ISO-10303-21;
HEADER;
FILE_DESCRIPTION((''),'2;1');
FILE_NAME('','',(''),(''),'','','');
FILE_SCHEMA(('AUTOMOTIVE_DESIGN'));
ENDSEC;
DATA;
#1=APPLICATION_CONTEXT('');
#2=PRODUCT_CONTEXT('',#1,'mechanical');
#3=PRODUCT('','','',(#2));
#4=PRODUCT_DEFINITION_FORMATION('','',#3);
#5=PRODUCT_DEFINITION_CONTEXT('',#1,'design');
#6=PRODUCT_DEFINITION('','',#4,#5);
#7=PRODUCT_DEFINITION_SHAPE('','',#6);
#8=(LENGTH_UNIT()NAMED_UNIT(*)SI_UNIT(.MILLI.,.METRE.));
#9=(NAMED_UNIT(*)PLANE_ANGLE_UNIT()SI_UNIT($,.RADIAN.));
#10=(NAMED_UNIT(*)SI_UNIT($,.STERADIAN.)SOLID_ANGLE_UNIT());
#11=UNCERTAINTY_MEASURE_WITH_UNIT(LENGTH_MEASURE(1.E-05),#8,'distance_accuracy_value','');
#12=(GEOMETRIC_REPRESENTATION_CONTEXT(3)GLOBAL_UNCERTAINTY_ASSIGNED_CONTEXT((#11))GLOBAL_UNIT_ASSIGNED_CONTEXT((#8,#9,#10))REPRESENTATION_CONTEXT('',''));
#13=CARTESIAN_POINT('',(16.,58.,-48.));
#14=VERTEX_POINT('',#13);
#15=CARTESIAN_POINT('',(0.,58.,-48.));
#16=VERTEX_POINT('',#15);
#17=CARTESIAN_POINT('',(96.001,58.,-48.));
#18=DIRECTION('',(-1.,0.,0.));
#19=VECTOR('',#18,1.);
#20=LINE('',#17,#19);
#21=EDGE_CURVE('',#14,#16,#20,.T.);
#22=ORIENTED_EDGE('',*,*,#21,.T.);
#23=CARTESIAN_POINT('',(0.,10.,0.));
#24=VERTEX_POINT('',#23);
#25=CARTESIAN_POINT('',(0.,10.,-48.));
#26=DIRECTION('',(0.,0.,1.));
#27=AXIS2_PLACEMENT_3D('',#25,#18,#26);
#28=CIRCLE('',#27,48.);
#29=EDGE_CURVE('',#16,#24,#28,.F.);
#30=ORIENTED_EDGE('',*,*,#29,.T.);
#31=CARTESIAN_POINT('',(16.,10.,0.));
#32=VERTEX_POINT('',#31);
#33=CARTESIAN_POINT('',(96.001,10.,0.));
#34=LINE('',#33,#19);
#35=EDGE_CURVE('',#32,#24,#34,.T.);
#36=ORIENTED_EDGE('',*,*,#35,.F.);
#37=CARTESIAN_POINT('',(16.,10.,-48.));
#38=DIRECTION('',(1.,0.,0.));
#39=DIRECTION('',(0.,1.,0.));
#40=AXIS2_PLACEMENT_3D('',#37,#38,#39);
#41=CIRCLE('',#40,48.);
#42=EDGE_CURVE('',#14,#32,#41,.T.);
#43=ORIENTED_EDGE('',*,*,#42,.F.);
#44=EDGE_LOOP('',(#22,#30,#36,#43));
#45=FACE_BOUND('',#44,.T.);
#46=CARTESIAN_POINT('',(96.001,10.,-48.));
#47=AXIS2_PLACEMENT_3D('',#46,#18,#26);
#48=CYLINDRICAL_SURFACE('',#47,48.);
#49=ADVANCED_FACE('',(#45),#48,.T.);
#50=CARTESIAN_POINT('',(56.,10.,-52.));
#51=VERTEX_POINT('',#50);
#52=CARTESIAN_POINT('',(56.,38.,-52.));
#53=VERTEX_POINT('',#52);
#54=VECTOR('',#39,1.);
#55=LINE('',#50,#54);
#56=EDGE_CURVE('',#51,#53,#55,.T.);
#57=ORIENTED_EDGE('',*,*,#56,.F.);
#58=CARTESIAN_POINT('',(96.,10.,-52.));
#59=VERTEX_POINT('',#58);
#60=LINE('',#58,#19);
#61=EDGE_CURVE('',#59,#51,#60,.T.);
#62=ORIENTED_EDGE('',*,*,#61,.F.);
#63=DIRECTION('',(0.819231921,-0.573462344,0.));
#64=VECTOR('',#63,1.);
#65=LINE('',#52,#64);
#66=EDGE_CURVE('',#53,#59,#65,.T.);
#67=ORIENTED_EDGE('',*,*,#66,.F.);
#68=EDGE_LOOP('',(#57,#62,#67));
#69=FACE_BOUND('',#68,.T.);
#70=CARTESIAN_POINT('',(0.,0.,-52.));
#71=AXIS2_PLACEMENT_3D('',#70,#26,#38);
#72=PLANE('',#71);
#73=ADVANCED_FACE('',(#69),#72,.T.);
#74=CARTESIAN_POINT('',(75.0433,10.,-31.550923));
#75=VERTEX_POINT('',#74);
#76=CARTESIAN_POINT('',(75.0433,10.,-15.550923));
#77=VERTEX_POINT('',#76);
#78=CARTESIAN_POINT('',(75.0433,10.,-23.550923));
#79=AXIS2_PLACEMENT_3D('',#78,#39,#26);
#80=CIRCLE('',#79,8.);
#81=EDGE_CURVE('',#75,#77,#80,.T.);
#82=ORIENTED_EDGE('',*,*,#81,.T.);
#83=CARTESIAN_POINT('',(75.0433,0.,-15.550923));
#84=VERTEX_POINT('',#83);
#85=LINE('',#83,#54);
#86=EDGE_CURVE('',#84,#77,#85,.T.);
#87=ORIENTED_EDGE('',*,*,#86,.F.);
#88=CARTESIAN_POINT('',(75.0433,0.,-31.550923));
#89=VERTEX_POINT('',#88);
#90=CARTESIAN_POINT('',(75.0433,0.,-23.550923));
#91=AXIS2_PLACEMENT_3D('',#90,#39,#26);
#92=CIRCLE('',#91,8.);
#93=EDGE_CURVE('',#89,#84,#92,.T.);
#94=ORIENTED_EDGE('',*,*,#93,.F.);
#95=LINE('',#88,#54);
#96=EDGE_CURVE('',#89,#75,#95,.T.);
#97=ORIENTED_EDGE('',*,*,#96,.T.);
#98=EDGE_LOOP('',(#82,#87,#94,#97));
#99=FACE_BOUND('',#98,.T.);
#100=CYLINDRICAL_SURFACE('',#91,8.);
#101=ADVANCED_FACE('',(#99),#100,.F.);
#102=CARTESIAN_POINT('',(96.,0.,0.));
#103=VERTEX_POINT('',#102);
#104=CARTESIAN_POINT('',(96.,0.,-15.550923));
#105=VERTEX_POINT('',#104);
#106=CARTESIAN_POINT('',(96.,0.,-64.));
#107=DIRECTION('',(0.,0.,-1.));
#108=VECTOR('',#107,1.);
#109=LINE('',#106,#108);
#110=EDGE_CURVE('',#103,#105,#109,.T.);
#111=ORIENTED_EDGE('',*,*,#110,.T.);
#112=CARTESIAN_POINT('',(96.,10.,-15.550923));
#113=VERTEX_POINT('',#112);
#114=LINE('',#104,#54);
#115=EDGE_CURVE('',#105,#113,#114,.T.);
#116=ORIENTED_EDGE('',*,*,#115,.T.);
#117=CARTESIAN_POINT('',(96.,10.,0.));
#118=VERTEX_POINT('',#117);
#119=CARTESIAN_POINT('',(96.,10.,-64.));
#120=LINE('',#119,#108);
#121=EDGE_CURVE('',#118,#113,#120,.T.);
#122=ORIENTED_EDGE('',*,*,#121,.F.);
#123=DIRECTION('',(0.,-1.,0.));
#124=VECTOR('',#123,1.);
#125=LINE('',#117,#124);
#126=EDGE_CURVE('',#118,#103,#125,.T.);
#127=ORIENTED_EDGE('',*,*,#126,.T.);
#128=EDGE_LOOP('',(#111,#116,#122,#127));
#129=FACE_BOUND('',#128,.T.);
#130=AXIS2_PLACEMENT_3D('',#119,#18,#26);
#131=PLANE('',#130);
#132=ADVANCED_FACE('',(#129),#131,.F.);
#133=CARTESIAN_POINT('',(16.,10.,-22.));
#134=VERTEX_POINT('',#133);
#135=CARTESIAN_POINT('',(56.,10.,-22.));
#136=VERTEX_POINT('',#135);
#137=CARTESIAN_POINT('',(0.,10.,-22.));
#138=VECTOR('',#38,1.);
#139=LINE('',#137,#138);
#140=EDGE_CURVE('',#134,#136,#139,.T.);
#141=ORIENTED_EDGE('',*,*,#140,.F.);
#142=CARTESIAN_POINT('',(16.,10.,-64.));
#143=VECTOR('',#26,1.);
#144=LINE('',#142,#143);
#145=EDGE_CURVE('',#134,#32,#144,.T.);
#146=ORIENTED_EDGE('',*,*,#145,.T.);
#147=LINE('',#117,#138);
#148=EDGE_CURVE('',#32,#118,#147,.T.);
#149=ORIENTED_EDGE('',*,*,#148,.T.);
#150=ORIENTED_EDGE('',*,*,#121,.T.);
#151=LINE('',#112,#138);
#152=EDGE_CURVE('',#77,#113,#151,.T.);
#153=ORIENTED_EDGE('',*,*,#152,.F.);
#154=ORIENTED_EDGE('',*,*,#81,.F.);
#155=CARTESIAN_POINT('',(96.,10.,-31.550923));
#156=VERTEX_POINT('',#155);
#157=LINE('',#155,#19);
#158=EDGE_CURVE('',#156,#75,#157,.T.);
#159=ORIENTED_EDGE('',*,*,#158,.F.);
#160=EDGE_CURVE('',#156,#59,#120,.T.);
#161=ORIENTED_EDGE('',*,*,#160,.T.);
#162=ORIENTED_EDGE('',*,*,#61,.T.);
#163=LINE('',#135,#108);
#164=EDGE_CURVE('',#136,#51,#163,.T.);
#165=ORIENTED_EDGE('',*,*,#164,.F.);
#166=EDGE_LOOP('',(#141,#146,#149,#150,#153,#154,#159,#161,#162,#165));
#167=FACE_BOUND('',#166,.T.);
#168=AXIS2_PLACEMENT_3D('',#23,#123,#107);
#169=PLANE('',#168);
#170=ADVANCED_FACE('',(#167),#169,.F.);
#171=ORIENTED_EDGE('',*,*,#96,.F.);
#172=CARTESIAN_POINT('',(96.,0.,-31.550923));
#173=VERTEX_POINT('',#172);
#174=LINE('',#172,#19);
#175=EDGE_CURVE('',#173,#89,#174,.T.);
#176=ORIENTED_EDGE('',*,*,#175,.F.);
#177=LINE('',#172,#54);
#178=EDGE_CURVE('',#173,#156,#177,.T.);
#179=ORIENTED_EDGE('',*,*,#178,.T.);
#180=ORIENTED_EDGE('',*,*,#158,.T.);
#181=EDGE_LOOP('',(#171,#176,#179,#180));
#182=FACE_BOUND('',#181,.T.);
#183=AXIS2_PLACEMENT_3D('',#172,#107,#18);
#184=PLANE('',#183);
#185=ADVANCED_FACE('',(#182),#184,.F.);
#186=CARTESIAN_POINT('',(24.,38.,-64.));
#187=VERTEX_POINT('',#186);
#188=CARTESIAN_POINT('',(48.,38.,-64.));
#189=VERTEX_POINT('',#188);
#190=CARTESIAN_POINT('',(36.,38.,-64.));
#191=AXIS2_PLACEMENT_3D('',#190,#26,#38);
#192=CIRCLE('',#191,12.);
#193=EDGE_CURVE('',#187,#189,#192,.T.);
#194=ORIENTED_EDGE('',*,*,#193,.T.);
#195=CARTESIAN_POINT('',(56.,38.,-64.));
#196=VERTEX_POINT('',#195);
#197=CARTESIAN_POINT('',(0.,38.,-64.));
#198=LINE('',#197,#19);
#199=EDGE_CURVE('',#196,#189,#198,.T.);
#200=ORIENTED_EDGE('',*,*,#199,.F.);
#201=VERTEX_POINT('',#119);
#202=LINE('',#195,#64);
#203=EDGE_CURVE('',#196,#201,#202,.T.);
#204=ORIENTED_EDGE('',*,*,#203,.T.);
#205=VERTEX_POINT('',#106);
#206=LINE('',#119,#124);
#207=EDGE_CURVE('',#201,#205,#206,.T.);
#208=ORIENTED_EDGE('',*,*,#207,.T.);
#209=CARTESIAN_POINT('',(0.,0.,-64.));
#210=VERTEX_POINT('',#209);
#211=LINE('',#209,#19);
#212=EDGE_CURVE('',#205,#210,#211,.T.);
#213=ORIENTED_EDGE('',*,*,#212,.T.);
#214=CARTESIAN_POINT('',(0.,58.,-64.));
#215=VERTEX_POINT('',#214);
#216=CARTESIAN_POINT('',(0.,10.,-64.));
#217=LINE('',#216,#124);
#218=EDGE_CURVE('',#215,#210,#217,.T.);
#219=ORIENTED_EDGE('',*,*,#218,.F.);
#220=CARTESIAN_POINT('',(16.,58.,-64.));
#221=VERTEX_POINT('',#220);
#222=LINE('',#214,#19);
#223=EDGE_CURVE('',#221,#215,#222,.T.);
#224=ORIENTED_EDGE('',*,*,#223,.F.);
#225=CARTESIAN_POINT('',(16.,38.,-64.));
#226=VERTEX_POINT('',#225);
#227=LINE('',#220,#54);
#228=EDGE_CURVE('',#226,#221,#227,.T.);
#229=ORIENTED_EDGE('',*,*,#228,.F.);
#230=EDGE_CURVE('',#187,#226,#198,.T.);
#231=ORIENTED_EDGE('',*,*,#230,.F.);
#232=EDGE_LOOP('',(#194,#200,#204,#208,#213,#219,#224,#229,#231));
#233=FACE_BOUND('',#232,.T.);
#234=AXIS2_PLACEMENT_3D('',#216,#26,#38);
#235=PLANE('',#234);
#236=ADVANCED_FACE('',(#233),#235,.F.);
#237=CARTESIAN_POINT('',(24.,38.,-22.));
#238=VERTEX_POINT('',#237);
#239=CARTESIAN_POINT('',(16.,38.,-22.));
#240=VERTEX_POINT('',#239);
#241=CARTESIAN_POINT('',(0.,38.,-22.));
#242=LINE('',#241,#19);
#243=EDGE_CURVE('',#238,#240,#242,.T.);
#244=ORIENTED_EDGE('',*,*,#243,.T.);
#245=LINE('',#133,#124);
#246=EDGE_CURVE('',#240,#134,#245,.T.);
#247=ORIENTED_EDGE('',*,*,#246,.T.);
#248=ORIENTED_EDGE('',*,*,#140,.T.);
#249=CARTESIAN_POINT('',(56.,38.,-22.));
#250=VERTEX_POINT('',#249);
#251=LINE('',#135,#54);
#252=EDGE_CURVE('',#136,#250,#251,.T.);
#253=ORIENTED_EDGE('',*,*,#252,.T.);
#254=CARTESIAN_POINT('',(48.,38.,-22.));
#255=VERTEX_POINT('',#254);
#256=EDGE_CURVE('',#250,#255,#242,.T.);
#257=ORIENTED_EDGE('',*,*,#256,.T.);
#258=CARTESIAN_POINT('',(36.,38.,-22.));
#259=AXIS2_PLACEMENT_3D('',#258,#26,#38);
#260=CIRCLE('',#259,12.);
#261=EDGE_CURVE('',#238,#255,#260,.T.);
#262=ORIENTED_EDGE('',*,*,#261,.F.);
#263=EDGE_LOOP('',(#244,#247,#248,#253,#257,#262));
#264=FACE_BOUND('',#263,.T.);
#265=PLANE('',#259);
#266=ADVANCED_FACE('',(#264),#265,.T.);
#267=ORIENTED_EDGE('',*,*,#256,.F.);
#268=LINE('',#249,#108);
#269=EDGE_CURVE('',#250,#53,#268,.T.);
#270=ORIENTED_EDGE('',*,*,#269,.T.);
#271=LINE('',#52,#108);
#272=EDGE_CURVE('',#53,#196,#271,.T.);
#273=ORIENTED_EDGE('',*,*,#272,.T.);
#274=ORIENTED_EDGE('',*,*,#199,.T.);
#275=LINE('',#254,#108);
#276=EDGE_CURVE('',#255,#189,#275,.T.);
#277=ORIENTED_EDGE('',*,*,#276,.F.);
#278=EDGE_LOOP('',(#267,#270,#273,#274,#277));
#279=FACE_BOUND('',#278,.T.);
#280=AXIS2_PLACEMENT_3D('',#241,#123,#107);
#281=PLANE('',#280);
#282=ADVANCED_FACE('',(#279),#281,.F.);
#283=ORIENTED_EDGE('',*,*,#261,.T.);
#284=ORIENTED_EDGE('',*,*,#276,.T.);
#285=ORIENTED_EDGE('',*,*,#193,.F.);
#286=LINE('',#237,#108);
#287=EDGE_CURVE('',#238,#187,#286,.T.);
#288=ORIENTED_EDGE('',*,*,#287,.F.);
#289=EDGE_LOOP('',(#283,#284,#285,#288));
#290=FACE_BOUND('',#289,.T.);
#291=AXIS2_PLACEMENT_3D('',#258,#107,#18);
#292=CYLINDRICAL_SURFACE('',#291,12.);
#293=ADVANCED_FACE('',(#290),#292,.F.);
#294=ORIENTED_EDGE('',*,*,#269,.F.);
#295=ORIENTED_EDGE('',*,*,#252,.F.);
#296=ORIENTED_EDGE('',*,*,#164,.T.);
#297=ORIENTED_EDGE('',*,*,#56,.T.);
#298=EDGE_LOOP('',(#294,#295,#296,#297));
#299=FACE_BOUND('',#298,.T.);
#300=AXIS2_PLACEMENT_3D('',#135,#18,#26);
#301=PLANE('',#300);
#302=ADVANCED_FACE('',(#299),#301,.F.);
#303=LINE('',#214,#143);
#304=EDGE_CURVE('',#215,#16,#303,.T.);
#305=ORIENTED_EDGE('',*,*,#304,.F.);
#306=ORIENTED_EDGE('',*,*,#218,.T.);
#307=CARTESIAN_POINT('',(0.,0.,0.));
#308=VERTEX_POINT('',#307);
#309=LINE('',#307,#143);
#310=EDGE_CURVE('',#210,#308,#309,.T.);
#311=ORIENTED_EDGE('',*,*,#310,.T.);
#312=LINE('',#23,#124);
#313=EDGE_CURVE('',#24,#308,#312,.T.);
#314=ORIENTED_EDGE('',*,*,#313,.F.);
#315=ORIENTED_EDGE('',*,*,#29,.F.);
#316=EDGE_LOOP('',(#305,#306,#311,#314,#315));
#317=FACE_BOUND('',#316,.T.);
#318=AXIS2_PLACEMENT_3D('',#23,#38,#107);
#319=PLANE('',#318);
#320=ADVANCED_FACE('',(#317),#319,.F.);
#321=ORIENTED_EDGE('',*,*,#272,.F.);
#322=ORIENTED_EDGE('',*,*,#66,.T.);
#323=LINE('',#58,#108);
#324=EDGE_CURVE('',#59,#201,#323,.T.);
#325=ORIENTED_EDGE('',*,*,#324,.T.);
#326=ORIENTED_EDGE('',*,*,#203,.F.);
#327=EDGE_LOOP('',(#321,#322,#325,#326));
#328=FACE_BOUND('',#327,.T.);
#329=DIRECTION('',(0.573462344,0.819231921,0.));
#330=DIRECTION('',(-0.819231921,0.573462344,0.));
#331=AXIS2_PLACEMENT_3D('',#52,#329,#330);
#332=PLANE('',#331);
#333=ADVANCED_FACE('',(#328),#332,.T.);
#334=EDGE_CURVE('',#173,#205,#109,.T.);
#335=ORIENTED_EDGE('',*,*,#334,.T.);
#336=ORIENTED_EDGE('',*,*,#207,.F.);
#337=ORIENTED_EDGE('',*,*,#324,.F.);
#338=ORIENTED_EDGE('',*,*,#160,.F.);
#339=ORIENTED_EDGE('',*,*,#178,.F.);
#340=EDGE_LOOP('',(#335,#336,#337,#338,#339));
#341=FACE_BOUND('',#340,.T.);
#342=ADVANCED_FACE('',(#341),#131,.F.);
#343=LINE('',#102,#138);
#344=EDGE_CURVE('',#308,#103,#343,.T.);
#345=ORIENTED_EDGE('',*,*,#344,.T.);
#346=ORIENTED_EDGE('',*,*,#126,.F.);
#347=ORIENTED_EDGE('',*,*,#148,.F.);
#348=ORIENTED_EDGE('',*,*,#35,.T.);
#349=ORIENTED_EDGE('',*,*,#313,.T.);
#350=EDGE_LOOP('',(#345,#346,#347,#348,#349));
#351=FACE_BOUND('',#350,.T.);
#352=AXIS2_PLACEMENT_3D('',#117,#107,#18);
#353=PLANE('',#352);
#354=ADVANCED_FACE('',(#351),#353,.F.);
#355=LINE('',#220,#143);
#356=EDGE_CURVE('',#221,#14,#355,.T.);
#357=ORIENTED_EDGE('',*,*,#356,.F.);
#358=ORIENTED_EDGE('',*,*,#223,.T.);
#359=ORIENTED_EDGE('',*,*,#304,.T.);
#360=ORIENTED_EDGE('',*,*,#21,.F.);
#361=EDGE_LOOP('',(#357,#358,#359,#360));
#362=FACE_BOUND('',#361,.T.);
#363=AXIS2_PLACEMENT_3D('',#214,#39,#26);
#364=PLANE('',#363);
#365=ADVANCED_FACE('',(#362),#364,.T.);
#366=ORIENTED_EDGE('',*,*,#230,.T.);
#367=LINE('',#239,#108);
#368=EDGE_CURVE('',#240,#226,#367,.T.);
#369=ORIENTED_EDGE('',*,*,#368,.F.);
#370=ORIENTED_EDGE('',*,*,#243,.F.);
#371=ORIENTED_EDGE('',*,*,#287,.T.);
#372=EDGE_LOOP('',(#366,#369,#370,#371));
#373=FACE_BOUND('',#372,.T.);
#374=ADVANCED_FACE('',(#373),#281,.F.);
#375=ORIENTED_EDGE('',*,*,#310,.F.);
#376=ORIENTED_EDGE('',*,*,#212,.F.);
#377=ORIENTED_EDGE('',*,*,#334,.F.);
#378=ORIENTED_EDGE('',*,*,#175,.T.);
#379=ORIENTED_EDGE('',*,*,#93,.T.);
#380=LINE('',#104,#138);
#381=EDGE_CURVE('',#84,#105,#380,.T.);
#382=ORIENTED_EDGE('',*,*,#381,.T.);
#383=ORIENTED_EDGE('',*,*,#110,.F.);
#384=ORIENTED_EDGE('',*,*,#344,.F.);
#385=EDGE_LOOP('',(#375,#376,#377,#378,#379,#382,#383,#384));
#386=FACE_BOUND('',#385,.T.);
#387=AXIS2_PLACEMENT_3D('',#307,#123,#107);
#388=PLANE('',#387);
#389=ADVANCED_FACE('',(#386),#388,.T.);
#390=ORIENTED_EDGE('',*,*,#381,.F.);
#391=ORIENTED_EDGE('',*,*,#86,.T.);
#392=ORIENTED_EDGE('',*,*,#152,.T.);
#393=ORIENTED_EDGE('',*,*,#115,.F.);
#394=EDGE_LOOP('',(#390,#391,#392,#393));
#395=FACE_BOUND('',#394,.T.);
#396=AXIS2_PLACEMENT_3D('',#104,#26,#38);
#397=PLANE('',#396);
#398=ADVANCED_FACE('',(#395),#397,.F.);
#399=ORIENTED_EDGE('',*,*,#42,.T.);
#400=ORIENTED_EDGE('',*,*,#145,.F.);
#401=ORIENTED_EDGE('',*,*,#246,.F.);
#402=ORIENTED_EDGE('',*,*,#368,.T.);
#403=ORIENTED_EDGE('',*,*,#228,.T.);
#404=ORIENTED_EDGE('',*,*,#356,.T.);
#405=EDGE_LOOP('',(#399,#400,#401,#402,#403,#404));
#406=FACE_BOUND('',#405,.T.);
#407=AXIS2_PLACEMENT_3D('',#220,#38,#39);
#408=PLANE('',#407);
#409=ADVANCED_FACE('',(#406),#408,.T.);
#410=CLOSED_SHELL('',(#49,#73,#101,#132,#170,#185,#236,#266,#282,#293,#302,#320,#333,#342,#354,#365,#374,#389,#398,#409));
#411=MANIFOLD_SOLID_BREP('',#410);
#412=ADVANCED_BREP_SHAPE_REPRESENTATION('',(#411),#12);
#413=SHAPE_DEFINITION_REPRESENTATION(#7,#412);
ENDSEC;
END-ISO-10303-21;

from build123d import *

# Parameters (mm, degrees)
SKETCH3_W                      = 96
SKETCH3_H                      = 64
BOSS_EXTRUDE1_DEPTH            = 10
CUT_EXTRUDE1_DEPTH             = 10
SKETCH5_W                      = 16
SKETCH5_H                      = 48
BOSS_EXTRUDE2_DEPTH            = 64
CUT_EXTRUDE5_REACH             = 131.136
CUT_EXTRUDE5_DIRECTION_2_DEPTH = 130.135587659
BOSS_EXTRUDE3_START            = -64
BOSS_EXTRUDE3_DEPTH            = 42
BOSS_EXTRUDE4_DEPTH            = 12


with BuildPart() as part:
    # Sketch3 → Boss-Extrude1 (new body)
    with BuildSketch(Plane(origin=(0, 0, 0), x_dir=(1, 0, 0), z_dir=(0, 1, 0))):
        with Locations((48, 32)):
            Rectangle(SKETCH3_W, SKETCH3_H)
    extrude(amount=BOSS_EXTRUDE1_DEPTH)

    # Sketch4 → Cut-Extrude1 (cut)
    with BuildSketch(Plane(origin=(0, 10, 0), x_dir=(1, 0, 0), z_dir=(0, 1, 0))):
        with BuildLine():
            Line((96, 15.550922522), (96, 31.550922522))
            Line((96, 31.550922522), (75.043299742, 31.550922522))
            ThreePointArc((75.043299742, 31.550922522), (67.043299742, 23.550922522), (75.043299742, 15.550922522))
            Line((75.043299742, 15.550922522), (96, 15.550922522))
        make_face()
    extrude(amount=-CUT_EXTRUDE1_DEPTH, mode=Mode.SUBTRACT)

    # Sketch5 → Boss-Extrude2 (add, through all)
    with BuildSketch(Plane.XY):
        with Locations((8, 34)):
            Rectangle(SKETCH5_W, SKETCH5_H)
    extrude(amount=-BOSS_EXTRUDE2_DEPTH)

    # Sketch6 → Cut-Extrude5 (cut, up to next)
    with BuildSketch(Plane(origin=(0, 0, 0), x_dir=(0, 0, -1), z_dir=(1, 0, 0)), mode=Mode.PRIVATE) as cut_extrude5_sk1:
        with BuildLine():
            Line((0, 58), (0, 10))
            ThreePointArc((0, 10), (14.058874503, 43.941125497), (48, 58))
            Line((48, 58), (0, 58))
        make_face()
    cut_extrude5_tool1 = extrude(cut_extrude5_sk1.sketch, amount=CUT_EXTRUDE5_REACH, mode=Mode.PRIVATE) & part.part
    add(cut_extrude5_tool1.solids().sort_by_distance((0, 47.278339, -10.721661))[0], mode=Mode.SUBTRACT)

    # Sketch6 → Cut-Extrude5 direction 2 (cut)
    with BuildSketch(Plane(origin=(0, 0, 0), x_dir=(0, 0, -1), z_dir=(1, 0, 0))):
        with BuildLine():
            Line((0, 58), (0, 10))
            ThreePointArc((0, 10), (14.058874503, 43.941125497), (48, 58))
            Line((48, 58), (0, 58))
        make_face()
    extrude(amount=-CUT_EXTRUDE5_DIRECTION_2_DEPTH, mode=Mode.SUBTRACT)

    # Sketch8 → Boss-Extrude3 (add)
    with BuildSketch(Plane.XY.offset(BOSS_EXTRUDE3_START)):
        with BuildLine():
            Line((16, 10), (16, 38))
            Line((16, 38), (24, 38))
            ThreePointArc((24, 38), (36, 26), (48, 38))
            Line((48, 38), (56, 38))
            Line((56, 38), (56, 10))
            Line((56, 10), (16, 10))
        make_face()
    extrude(amount=BOSS_EXTRUDE3_DEPTH)

    # Sketch10 → Boss-Extrude4 (add)
    with BuildSketch(Plane(origin=(0, 0, -64), x_dir=(-1, 0, 0), z_dir=(0, 0, -1))):
        Polygon((-56, 38), (-96, 10), (-56, 10), align=None)
    extrude(amount=-BOSS_EXTRUDE4_DEPTH)


solid = part.part
